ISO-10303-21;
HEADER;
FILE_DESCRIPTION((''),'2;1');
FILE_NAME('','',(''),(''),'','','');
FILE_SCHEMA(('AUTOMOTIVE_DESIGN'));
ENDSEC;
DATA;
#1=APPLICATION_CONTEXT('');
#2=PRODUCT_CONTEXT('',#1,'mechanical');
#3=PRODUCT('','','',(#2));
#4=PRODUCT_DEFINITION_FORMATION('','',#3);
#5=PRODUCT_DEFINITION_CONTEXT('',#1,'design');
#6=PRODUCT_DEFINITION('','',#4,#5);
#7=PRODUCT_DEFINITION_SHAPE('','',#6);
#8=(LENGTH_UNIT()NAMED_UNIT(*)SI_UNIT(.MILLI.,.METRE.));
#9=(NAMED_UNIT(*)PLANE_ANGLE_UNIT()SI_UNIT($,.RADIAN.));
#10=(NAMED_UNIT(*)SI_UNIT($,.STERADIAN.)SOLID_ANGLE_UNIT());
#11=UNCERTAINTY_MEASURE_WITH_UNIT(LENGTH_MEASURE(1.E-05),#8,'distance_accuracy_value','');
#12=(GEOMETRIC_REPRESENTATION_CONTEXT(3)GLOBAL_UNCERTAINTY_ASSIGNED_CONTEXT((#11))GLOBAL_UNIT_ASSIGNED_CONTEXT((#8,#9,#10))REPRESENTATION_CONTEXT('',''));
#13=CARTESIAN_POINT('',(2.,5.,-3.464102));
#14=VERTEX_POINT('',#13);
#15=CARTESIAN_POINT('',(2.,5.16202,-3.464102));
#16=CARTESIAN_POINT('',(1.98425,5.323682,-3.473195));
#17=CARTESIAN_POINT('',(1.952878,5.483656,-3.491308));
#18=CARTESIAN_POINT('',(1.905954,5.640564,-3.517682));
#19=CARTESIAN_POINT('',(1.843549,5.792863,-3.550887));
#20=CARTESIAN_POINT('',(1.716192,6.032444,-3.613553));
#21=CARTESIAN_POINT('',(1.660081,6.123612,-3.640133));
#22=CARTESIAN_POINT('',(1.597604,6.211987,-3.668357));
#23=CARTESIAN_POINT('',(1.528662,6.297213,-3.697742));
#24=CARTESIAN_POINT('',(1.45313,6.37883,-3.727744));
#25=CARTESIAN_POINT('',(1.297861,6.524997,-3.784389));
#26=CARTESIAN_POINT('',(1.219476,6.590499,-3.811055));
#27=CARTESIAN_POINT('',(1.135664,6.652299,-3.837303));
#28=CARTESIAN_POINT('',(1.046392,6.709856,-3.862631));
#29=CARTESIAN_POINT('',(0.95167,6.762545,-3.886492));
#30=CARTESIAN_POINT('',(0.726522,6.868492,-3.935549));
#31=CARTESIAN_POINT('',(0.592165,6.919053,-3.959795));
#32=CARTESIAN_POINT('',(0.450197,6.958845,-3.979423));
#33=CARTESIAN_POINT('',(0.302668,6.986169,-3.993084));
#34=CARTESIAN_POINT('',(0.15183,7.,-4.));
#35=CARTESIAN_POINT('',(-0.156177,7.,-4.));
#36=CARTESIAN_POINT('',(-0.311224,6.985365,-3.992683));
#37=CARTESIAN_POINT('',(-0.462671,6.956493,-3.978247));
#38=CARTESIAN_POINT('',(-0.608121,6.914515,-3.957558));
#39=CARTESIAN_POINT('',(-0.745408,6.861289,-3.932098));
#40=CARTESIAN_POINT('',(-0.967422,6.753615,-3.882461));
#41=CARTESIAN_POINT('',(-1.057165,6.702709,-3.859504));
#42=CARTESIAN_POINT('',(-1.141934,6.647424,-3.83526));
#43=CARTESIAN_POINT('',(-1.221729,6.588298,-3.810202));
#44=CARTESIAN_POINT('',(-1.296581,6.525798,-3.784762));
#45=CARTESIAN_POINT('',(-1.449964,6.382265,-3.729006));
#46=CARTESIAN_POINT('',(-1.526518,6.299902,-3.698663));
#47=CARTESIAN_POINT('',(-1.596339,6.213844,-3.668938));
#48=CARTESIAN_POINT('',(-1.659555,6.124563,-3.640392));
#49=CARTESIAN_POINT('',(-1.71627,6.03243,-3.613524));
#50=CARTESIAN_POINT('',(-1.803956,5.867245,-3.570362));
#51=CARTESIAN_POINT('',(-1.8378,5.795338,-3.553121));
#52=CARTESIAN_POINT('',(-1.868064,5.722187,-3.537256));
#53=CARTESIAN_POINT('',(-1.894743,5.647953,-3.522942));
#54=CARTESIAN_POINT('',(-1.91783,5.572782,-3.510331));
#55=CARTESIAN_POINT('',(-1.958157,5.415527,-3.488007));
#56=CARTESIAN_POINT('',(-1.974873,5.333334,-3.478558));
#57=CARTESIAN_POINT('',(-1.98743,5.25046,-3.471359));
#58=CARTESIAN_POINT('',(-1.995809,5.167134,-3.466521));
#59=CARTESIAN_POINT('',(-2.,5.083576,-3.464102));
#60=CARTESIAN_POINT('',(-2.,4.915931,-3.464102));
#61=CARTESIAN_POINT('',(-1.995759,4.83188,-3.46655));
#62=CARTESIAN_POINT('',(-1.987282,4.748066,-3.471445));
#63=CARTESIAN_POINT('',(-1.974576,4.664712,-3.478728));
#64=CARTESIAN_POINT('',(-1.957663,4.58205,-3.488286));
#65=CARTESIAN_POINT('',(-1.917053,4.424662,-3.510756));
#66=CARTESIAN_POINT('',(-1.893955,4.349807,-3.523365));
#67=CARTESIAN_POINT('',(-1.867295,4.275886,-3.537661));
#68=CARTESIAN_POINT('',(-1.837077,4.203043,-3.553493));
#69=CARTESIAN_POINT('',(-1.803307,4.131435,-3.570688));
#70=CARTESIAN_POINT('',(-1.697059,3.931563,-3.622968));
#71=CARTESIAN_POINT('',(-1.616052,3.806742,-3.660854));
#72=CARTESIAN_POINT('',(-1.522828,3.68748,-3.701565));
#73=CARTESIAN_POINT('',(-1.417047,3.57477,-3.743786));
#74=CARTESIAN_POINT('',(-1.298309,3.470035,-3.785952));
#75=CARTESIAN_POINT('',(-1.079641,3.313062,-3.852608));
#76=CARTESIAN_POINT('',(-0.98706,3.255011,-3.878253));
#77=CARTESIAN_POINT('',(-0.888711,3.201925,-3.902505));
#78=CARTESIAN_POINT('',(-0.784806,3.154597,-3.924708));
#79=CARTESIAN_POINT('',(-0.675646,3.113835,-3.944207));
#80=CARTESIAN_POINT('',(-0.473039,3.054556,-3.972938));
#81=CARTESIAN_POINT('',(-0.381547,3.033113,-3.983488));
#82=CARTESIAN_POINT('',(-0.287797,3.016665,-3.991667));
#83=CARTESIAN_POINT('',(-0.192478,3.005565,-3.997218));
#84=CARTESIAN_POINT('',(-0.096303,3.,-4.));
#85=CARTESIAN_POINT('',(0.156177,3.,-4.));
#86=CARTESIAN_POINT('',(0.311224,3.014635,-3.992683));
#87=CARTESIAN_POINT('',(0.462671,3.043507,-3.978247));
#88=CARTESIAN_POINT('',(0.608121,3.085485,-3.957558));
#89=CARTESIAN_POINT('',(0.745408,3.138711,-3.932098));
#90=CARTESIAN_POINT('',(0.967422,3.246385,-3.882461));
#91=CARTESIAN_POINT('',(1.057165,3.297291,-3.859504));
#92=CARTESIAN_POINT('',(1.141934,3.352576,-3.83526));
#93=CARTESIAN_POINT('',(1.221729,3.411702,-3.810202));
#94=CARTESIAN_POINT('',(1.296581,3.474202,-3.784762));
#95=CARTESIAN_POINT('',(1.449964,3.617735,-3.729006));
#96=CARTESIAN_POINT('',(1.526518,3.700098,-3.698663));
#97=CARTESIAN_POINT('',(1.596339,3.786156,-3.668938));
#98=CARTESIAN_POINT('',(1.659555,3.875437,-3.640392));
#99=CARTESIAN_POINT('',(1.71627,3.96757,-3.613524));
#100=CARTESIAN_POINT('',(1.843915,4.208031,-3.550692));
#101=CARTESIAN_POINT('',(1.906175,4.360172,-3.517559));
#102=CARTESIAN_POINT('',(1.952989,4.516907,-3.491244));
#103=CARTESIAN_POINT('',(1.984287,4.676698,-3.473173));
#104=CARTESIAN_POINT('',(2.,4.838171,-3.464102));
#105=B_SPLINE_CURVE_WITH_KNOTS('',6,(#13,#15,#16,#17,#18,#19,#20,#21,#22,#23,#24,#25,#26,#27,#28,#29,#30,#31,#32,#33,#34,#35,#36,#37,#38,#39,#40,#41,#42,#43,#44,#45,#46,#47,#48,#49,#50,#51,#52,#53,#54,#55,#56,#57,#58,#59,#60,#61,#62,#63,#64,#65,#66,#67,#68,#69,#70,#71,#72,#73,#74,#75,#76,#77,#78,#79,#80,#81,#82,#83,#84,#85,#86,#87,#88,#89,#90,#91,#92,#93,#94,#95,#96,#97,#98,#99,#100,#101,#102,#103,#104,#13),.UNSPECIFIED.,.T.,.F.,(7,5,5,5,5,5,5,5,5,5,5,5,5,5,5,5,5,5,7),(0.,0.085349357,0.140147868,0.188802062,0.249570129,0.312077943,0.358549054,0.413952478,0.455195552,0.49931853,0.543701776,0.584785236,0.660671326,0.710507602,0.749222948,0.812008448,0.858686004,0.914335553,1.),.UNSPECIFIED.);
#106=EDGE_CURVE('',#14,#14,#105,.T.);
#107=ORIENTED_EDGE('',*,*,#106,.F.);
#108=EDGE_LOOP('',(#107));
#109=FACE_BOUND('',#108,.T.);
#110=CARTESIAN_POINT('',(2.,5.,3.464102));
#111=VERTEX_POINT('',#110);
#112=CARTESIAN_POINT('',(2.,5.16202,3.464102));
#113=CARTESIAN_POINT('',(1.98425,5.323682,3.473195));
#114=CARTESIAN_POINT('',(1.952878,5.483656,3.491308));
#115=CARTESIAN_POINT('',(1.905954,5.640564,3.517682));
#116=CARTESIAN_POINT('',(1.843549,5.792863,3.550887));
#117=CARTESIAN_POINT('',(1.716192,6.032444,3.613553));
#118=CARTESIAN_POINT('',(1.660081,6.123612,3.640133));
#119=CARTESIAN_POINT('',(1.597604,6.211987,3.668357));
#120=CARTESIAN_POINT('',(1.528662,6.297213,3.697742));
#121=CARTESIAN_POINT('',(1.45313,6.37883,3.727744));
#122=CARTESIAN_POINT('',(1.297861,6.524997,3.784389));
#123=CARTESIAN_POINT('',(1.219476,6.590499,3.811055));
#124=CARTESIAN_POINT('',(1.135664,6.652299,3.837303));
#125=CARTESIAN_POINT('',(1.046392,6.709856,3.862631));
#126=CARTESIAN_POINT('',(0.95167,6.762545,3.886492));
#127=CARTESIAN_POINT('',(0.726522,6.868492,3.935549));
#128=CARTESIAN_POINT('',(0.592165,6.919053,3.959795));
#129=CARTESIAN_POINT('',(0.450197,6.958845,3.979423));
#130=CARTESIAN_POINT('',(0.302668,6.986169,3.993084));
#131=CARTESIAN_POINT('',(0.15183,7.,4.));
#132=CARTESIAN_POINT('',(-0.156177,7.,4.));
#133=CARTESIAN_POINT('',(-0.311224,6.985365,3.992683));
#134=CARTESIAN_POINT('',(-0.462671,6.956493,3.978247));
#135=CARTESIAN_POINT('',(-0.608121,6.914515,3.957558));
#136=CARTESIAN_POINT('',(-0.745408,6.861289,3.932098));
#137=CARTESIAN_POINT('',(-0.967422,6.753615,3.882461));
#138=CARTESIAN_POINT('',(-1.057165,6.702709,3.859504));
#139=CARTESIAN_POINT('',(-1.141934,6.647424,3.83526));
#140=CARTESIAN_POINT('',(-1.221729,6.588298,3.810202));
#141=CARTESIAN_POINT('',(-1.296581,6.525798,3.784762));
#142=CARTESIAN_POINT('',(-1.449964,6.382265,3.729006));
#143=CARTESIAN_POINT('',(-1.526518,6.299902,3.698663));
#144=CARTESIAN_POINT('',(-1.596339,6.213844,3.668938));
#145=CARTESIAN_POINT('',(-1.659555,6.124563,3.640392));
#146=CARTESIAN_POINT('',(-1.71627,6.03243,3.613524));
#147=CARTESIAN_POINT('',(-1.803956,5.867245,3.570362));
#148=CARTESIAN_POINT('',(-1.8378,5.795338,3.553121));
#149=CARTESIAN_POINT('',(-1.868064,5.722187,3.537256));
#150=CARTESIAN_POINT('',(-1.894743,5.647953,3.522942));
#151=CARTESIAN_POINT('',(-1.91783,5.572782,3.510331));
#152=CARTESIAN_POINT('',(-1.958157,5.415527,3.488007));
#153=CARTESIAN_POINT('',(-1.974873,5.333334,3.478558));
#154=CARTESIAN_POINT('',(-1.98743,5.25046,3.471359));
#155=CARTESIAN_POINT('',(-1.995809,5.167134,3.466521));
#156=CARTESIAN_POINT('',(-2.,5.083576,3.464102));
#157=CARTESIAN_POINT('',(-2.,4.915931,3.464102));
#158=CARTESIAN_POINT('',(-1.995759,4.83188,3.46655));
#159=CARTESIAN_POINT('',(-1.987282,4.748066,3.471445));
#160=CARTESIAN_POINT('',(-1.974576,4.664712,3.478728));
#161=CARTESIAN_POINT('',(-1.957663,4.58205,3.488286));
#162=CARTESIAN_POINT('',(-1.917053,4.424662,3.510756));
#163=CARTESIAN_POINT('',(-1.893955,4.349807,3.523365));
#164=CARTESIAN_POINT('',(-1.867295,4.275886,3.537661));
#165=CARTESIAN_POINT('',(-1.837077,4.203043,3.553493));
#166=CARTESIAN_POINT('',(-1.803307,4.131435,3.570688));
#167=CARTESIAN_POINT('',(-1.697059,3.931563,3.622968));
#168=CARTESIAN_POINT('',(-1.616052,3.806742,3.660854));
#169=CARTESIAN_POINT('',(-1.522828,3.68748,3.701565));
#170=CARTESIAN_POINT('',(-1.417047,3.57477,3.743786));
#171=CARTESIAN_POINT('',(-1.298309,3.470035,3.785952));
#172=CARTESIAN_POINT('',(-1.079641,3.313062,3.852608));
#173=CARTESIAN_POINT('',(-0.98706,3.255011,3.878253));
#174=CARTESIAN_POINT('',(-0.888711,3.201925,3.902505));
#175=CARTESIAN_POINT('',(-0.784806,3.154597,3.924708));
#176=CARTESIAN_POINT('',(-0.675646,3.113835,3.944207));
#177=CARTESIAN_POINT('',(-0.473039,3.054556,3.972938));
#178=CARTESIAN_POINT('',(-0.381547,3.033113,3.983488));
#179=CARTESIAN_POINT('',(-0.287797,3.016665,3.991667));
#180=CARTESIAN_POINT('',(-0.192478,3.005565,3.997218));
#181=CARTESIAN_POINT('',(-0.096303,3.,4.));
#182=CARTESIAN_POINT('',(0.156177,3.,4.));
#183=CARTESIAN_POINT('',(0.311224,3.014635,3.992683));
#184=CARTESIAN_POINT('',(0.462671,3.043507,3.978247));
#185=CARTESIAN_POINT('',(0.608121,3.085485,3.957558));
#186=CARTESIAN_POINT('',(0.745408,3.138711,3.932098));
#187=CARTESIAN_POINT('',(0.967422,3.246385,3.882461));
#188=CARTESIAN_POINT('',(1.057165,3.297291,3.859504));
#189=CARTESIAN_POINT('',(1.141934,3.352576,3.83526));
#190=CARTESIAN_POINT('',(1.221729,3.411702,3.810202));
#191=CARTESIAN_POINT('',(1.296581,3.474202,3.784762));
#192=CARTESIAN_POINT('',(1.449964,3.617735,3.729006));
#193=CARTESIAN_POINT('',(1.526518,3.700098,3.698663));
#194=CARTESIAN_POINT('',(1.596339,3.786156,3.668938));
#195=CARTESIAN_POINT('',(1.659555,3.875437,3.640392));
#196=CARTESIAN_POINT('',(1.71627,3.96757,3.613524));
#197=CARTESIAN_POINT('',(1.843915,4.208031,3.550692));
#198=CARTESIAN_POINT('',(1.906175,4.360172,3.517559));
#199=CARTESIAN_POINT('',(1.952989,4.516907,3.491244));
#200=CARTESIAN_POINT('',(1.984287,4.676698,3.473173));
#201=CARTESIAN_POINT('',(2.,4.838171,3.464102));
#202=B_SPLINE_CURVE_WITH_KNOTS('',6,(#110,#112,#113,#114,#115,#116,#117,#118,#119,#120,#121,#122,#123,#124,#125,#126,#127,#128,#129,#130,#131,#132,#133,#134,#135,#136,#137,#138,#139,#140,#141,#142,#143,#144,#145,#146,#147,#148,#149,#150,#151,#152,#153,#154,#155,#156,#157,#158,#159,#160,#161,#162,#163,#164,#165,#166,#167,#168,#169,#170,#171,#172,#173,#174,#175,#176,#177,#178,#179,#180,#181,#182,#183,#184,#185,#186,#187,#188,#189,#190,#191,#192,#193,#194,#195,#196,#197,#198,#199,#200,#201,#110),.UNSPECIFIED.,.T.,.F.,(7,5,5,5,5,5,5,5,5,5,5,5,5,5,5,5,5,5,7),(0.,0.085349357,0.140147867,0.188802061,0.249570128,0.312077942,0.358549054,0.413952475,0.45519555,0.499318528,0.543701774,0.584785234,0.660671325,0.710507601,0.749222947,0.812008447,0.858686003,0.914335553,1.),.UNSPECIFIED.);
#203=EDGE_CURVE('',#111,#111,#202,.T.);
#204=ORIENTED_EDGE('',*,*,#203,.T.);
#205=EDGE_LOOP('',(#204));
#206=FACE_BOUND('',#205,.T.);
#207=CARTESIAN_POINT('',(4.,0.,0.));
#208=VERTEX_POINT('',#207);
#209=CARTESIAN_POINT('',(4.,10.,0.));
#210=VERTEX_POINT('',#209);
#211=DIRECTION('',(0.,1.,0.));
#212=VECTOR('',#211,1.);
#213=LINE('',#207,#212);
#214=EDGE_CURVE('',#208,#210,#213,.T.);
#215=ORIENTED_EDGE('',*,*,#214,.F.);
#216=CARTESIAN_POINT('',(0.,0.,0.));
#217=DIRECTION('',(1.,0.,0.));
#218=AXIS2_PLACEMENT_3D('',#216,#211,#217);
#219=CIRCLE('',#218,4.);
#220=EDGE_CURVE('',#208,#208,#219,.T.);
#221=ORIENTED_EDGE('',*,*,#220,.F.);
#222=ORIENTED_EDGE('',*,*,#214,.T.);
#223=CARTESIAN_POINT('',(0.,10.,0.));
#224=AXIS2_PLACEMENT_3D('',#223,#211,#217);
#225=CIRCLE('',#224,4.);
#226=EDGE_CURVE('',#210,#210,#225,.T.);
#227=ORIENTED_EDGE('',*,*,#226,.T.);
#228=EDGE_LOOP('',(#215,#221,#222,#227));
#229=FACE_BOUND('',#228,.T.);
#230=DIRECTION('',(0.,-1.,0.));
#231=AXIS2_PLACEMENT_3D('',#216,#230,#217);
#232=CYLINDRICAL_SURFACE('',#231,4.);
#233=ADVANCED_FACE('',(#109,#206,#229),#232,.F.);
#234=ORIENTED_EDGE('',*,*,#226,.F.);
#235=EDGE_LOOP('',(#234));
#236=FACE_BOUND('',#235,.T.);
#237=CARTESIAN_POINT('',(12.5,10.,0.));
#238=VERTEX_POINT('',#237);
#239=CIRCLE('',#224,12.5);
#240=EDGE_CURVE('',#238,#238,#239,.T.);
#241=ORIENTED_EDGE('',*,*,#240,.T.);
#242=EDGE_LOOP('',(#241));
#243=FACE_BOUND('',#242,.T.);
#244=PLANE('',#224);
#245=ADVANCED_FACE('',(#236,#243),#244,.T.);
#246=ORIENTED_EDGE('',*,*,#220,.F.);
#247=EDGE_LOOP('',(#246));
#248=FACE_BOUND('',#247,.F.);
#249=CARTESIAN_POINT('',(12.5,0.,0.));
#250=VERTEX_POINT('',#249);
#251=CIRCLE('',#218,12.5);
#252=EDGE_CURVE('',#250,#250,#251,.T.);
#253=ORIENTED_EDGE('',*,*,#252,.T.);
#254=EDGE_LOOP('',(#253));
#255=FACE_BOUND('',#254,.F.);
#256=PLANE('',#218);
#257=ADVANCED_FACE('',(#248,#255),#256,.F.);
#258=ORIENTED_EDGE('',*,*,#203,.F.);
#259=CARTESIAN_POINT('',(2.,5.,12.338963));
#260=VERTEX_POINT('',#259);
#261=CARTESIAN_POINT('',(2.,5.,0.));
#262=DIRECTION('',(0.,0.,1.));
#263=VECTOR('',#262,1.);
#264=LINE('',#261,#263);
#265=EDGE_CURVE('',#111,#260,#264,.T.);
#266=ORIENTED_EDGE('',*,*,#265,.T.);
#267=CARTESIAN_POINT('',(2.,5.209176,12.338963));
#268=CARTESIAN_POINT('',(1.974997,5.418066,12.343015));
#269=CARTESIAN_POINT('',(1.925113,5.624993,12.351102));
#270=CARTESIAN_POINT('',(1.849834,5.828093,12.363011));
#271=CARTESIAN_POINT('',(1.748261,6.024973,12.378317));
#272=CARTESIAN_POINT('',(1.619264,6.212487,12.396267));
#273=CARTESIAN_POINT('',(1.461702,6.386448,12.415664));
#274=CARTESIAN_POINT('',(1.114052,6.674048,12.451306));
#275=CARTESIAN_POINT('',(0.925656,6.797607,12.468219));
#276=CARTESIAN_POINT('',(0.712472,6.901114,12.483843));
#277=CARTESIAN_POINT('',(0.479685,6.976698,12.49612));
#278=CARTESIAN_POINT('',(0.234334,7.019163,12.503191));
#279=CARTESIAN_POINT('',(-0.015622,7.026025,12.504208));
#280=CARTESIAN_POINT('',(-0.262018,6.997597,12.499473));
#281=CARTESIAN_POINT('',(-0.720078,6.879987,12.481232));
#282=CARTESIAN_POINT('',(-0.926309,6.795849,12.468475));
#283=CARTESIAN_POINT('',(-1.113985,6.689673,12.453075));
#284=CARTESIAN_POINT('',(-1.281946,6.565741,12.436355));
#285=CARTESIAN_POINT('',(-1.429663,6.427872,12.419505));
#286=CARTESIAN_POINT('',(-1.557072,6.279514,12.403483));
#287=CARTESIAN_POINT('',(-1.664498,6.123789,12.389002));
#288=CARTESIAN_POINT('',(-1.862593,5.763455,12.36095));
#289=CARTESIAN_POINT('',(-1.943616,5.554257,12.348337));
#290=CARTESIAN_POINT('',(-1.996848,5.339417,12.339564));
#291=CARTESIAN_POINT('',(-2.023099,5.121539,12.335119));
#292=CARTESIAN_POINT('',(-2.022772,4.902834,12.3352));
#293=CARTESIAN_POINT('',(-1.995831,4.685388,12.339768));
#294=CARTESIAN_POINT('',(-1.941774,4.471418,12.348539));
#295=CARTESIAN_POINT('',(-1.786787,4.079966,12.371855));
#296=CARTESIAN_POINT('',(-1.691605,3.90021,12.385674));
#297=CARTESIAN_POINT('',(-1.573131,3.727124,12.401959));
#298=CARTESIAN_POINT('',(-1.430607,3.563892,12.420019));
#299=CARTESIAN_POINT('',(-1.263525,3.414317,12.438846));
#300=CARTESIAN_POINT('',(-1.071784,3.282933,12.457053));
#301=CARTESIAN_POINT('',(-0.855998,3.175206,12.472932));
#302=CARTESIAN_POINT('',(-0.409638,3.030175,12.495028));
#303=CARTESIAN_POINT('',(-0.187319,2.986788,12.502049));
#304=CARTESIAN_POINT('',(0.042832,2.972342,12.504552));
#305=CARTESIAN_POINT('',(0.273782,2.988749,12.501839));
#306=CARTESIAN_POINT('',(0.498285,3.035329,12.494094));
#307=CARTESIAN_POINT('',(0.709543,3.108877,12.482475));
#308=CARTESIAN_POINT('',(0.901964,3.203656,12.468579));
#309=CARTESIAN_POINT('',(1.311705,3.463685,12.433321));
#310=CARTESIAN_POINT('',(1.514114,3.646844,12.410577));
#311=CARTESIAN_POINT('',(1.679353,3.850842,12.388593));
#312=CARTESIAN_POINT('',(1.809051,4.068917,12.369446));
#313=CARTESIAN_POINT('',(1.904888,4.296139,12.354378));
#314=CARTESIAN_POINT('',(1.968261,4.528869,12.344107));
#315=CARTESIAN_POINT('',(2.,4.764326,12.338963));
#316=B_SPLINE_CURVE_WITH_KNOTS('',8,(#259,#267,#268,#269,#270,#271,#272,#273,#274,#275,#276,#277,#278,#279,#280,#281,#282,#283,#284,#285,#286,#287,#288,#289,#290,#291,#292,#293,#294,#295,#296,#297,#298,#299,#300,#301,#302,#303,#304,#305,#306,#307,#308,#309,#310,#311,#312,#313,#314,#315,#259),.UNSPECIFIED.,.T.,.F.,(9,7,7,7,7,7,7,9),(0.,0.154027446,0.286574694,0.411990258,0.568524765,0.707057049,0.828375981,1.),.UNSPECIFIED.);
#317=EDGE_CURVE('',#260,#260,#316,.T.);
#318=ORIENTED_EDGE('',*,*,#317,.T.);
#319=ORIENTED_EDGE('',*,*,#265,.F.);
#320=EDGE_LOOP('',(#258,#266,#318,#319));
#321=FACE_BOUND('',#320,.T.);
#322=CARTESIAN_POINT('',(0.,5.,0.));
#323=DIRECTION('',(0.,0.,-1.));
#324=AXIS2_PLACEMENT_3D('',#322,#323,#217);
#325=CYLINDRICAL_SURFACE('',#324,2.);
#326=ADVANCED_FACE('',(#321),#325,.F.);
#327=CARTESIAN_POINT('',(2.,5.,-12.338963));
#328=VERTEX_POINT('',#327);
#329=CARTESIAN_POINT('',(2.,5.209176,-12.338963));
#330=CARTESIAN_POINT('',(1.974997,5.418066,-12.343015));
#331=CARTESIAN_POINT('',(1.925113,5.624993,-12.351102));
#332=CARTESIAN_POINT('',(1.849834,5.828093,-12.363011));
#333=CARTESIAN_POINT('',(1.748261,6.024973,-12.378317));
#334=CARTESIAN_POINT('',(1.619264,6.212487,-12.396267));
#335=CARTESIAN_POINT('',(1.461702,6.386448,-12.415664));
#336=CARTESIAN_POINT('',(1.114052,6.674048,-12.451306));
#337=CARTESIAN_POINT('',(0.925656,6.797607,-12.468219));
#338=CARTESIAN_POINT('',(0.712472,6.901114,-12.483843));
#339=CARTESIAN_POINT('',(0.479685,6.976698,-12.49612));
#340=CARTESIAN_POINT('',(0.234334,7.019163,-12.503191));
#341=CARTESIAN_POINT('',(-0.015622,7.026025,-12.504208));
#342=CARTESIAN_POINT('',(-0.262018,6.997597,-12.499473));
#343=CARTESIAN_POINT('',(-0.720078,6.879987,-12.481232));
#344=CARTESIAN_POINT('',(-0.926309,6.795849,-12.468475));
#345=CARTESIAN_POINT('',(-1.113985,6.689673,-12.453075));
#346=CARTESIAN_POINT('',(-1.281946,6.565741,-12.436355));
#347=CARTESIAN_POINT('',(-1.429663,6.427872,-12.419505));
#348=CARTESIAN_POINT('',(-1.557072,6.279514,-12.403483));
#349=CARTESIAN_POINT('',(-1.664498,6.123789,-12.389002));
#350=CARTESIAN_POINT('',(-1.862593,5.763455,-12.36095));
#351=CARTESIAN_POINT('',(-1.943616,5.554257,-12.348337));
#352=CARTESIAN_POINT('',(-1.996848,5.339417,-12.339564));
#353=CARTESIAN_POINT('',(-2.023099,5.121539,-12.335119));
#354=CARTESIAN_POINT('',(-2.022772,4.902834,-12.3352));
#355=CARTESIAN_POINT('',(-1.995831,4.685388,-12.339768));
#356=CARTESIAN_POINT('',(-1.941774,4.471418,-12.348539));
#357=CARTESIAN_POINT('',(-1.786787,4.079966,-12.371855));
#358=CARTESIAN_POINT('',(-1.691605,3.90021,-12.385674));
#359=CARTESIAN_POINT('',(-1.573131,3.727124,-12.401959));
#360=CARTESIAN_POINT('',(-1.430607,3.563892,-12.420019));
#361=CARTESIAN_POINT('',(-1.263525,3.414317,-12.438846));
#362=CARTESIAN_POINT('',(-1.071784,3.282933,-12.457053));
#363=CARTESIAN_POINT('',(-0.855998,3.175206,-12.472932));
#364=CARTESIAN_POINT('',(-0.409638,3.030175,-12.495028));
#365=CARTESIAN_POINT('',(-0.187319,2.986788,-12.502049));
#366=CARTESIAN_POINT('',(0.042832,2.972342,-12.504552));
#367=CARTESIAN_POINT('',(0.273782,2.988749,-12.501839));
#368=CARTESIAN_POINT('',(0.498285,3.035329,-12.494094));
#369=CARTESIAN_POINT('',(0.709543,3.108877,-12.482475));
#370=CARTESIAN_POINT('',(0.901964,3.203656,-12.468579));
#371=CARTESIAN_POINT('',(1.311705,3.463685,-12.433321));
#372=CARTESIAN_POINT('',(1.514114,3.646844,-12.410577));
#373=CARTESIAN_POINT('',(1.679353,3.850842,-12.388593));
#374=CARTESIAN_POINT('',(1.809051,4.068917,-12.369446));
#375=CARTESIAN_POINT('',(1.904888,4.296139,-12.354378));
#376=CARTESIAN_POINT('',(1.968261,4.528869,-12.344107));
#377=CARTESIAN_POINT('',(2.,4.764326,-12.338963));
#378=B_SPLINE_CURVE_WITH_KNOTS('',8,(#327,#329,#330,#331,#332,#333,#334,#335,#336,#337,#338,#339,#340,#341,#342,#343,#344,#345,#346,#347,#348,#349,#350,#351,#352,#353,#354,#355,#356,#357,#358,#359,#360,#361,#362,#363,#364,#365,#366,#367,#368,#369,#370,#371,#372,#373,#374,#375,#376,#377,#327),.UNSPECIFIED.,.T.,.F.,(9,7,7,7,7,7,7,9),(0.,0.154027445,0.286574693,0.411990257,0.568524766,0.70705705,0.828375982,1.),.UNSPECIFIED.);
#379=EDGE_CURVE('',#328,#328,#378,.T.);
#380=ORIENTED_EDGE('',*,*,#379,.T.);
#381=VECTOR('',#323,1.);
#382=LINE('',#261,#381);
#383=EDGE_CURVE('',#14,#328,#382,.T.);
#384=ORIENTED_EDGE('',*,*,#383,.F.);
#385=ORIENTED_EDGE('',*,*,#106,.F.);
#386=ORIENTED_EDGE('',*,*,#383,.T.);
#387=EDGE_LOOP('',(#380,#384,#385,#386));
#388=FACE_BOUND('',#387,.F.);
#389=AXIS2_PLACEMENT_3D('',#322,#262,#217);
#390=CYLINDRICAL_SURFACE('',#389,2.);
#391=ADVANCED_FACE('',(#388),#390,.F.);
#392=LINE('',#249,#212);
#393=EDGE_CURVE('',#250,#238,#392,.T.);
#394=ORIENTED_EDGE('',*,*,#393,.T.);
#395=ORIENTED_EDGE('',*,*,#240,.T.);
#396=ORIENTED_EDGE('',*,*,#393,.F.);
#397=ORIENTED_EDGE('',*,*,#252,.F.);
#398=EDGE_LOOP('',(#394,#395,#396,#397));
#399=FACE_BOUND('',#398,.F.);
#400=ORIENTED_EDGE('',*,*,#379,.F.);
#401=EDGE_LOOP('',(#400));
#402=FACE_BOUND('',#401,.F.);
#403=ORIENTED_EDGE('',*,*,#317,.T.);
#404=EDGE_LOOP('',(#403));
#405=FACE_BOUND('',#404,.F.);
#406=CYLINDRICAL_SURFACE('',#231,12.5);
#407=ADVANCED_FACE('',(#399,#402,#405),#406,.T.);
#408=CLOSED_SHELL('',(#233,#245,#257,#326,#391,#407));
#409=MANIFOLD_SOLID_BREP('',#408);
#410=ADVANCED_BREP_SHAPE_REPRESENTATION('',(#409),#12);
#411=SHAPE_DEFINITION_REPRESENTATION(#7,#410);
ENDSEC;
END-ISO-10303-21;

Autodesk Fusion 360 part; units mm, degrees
sketch "Eskiz1" plane through (0, 0, 0) normal (0, 1, 0) x (1, 0, 0)
  circle A0 centre (0, 0) radius 12.5
  circle A1 centre (0, 0) radius 4
  dimension "d1" = 25
  dimension "d2" = 8
extrude "Ekstrüde Et1" add sketch "Eskiz1" along normal blind 10
sketch "Eskiz2" plane through (0, 0, 0) normal (0, 0, 1) x (1, 0, 0)
  circle A0 centre (0, 5) radius 2
  dimension "d5" = 4
  dimension "d6" = 5
extrude "Ekstrüde Et2" cut sketch "Eskiz2" along normal blind 17 and the other way blind 18
